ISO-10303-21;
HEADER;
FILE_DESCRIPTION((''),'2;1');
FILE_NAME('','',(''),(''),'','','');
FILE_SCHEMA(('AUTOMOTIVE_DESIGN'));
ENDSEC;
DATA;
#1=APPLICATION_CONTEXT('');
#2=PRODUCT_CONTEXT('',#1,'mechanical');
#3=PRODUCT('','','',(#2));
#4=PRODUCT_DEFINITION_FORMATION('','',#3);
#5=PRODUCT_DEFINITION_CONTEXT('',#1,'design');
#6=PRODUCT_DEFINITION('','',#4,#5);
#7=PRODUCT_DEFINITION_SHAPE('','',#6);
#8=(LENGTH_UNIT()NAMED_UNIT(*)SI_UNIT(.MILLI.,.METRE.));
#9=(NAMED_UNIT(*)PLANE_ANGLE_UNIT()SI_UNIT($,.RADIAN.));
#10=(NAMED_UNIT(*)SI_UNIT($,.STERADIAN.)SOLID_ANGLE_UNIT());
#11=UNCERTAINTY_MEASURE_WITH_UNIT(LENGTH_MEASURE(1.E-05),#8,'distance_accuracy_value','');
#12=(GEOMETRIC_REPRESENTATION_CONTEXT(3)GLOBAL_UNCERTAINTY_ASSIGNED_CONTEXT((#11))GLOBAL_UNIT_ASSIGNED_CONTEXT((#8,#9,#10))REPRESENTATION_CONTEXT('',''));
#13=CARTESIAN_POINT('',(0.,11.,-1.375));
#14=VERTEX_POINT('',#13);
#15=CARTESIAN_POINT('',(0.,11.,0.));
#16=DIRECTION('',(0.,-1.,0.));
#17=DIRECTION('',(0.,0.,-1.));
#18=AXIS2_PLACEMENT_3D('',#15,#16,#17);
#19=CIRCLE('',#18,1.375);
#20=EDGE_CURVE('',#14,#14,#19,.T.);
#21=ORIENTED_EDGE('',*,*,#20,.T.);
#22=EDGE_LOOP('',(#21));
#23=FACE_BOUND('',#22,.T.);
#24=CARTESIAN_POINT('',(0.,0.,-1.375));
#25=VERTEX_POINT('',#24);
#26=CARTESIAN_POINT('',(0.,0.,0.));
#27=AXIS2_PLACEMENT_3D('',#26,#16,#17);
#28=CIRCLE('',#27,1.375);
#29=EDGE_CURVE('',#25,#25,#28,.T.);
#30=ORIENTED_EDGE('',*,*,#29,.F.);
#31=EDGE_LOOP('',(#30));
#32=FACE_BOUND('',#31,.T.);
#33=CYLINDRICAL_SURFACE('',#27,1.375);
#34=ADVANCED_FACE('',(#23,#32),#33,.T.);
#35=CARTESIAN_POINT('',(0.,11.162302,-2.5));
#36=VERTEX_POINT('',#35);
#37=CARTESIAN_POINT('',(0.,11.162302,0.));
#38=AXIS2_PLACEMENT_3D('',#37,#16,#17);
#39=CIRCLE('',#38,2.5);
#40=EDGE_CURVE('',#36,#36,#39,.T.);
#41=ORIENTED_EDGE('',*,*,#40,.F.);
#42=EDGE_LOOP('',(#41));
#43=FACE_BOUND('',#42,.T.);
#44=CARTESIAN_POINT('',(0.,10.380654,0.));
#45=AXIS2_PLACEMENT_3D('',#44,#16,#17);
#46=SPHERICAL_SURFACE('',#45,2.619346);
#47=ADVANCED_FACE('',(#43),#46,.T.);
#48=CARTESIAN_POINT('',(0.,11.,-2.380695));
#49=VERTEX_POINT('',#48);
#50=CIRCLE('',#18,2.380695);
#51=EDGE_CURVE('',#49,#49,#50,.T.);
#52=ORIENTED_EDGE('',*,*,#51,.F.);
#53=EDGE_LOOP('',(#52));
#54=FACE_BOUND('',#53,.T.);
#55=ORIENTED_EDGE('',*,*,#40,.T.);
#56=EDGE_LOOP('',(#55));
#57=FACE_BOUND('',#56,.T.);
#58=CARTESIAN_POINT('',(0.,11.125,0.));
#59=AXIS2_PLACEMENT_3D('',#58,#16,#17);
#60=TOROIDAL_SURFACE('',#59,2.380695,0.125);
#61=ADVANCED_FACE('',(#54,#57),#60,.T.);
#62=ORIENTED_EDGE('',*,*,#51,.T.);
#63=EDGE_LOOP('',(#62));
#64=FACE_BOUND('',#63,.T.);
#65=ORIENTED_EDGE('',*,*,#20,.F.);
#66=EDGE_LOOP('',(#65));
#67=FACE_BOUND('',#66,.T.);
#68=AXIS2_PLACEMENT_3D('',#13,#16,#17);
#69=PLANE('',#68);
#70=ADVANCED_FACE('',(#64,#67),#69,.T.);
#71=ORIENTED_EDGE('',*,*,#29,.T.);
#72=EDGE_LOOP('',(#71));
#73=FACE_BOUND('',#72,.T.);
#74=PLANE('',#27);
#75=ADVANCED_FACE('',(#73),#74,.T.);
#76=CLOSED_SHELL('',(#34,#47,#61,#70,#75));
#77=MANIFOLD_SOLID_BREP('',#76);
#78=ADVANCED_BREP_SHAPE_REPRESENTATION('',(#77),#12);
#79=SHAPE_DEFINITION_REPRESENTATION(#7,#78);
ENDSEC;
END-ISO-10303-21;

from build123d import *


with BuildPart() as part:
    # Sketch2 → Revolve1 (revolve)
    with BuildSketch(Plane(origin=(0, 0, 0), x_dir=(0, 0, -1), z_dir=(1, 0, 0))):
        with BuildLine():
            Line((0, 0), (0, 13))
            ThreePointArc((0, 13), (1.551381255, 12.491149097), (2.5, 11.162301658))
            ThreePointArc((2.5, 11.162301658), (2.481412105, 11.050965235), (2.380695405, 11))
            Line((2.380695405, 11), (1.375, 11))
            Line((1.375, 11), (1.375, 0))
            Line((1.375, 0), (0, 0))
        make_face()
    revolve(axis=Axis((0, 0, 0), (0, 1, 0)))


solid = part.part
